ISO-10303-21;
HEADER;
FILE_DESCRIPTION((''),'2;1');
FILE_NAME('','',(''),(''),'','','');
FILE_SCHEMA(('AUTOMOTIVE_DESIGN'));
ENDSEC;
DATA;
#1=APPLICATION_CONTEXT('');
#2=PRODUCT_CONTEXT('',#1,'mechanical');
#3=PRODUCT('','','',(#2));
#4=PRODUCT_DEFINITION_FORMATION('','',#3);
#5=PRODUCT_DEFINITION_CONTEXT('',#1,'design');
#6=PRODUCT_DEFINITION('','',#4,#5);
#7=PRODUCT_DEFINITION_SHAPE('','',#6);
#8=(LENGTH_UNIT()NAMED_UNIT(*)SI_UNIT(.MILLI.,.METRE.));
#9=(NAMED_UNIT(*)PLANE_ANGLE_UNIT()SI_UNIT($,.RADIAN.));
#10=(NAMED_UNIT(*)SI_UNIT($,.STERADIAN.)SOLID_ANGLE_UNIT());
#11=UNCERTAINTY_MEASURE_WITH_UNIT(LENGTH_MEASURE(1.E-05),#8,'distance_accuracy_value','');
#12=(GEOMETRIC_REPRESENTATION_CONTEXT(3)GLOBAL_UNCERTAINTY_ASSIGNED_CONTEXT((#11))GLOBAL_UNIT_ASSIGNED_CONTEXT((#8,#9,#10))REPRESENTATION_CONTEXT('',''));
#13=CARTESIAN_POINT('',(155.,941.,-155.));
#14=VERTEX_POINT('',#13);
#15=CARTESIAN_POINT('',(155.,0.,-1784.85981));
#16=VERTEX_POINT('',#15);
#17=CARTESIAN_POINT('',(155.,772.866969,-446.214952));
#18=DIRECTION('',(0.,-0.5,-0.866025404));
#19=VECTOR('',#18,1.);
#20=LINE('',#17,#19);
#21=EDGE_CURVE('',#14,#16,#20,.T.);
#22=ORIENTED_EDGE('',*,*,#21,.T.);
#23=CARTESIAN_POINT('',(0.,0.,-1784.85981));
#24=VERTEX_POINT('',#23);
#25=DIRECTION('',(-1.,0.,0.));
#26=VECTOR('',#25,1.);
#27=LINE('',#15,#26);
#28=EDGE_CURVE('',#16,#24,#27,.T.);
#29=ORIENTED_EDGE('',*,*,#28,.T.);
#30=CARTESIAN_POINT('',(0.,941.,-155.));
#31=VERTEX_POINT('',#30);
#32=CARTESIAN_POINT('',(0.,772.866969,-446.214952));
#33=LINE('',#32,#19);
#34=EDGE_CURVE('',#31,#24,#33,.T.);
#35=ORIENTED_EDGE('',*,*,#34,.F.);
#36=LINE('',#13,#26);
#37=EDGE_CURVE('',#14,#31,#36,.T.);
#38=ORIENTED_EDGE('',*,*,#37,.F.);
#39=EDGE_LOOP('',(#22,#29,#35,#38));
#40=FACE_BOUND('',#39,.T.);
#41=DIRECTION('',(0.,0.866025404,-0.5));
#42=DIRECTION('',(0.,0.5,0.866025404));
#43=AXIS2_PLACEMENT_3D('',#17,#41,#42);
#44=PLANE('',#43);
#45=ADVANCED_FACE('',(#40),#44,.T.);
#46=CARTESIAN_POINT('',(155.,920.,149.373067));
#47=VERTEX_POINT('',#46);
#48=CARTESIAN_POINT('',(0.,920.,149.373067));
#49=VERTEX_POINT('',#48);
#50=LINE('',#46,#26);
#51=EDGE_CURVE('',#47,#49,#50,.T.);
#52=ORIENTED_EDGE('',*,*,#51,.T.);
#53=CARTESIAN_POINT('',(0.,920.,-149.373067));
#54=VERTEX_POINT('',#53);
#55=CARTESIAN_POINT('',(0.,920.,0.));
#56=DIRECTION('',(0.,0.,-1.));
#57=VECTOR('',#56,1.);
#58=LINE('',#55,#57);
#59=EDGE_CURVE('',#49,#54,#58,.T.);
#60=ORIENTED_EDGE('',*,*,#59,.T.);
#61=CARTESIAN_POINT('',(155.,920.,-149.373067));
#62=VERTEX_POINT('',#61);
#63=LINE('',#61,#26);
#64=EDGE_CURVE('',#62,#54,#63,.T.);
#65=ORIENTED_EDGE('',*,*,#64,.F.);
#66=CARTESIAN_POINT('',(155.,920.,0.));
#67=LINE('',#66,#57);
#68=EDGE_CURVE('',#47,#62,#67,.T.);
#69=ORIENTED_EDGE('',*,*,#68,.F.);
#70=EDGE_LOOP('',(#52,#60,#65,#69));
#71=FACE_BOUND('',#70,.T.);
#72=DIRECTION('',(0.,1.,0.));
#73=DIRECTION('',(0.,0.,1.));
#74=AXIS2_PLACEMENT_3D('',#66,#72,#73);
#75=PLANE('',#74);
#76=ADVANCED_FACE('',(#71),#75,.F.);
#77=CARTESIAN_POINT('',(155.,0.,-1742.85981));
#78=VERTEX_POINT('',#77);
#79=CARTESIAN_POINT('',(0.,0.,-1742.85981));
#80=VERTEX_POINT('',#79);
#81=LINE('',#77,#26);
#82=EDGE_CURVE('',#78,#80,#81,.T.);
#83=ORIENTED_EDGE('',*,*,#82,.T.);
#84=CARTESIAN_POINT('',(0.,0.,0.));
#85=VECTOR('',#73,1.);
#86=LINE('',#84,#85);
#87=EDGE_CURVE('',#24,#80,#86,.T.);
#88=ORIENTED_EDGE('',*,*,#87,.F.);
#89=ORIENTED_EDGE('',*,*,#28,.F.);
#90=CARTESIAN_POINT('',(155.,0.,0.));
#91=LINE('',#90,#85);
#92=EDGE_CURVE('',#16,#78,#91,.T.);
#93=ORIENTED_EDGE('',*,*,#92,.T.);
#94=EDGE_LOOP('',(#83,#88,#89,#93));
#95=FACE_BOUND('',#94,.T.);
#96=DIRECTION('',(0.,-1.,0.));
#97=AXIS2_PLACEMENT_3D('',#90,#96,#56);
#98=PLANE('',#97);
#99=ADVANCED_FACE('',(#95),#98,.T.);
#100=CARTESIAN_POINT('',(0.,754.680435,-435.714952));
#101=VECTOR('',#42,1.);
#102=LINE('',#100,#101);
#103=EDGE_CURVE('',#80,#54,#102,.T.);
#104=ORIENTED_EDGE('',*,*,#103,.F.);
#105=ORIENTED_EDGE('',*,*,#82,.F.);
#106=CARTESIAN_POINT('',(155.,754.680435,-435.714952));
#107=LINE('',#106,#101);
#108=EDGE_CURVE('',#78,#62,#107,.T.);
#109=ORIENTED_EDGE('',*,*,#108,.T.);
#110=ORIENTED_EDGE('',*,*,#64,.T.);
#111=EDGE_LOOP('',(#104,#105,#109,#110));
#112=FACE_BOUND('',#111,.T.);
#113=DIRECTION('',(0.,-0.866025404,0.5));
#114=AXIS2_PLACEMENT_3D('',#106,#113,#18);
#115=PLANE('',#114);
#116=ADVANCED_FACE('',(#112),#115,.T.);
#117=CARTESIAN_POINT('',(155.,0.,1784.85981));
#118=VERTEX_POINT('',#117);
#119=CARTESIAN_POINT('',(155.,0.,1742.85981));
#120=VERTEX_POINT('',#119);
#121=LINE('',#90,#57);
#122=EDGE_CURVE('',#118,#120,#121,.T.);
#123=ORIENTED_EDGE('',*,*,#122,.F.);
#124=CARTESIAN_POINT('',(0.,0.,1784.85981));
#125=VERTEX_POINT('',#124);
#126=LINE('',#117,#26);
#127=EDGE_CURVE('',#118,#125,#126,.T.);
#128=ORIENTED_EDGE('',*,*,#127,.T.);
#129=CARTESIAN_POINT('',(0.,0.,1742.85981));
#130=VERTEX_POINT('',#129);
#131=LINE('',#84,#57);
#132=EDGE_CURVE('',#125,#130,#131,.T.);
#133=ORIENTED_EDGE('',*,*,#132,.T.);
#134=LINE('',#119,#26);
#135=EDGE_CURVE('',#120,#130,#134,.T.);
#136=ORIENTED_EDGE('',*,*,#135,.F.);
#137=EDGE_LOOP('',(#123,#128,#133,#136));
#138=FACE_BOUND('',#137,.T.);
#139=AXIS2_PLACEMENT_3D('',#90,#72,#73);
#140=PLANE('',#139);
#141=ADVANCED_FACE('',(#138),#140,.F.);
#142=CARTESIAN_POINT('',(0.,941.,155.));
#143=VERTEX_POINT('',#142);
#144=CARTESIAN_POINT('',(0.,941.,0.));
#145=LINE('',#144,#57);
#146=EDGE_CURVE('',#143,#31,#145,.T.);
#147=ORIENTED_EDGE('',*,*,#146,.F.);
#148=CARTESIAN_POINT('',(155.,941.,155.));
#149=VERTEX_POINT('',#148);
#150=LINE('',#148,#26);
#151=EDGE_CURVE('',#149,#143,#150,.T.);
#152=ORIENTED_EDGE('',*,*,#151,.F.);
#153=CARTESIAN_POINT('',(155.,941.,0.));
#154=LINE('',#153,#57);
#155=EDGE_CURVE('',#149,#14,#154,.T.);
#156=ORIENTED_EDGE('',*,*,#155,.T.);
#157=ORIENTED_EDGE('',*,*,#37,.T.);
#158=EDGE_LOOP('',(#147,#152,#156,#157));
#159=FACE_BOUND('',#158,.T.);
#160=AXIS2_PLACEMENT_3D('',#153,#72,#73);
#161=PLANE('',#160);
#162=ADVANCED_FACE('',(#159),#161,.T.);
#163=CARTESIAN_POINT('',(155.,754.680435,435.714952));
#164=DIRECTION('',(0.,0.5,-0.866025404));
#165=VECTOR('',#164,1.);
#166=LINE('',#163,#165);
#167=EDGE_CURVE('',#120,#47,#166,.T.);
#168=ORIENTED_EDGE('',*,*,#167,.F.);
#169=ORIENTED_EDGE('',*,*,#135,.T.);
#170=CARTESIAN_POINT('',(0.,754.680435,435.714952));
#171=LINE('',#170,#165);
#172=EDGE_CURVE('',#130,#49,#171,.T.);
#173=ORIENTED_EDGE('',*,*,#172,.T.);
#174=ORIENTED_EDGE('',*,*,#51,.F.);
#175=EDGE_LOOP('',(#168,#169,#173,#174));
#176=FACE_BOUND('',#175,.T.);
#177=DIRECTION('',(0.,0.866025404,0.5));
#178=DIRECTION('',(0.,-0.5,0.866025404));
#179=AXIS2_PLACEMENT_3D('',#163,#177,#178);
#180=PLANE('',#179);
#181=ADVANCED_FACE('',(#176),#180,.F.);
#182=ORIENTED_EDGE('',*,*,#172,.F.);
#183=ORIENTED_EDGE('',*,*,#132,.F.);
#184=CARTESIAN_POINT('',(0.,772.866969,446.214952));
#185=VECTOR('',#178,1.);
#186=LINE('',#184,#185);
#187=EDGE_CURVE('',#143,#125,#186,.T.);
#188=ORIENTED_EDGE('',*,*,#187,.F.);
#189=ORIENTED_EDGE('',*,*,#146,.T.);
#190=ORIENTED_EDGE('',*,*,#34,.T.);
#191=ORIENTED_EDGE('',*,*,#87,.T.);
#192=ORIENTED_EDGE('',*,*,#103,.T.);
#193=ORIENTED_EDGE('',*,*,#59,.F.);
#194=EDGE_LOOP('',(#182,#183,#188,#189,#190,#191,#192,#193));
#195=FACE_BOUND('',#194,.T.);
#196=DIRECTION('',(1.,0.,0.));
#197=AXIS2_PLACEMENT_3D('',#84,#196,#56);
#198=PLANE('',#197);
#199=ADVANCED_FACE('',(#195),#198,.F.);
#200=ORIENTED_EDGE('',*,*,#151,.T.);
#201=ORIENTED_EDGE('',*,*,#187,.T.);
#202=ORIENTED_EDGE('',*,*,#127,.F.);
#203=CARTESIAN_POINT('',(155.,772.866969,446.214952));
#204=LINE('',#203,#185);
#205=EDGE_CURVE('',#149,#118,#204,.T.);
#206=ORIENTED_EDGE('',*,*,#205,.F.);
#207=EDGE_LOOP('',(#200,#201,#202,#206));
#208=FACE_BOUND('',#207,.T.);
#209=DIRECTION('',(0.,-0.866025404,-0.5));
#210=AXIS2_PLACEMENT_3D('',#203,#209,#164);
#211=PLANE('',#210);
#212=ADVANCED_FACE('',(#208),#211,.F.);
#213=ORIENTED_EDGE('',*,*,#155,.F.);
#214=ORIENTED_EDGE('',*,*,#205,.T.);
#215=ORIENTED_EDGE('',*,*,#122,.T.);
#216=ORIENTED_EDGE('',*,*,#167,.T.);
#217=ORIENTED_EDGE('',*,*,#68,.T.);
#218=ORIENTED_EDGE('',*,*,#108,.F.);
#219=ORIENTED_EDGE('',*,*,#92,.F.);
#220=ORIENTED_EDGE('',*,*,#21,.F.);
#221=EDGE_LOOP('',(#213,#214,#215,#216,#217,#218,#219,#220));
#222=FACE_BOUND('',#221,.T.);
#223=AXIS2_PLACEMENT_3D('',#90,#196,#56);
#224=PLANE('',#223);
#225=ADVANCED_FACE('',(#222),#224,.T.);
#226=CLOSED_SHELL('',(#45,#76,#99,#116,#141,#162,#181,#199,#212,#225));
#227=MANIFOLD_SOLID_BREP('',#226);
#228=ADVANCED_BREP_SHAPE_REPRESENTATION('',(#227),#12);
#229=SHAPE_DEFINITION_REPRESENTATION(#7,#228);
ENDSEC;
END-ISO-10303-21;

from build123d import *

# Parameters (mm, degrees)
BOSS_EXTRUDE1_DEPTH = 155


with BuildPart() as part:
    # Sketch2 → Boss-Extrude1 (new body)
    with BuildSketch(Plane(origin=(0, 0, 0), x_dir=(0, 0, -1), z_dir=(1, 0, 0))):
        Polygon((155, 941), (0, 941), (-155, 941), (-1784.859809922, 0), (-1742.859809922, 0), (-149.373066959, 920), (149.373066959, 920), (1742.859809922, 0), (1784.859809922, 0), align=None)
    extrude(amount=BOSS_EXTRUDE1_DEPTH)


solid = part.part
